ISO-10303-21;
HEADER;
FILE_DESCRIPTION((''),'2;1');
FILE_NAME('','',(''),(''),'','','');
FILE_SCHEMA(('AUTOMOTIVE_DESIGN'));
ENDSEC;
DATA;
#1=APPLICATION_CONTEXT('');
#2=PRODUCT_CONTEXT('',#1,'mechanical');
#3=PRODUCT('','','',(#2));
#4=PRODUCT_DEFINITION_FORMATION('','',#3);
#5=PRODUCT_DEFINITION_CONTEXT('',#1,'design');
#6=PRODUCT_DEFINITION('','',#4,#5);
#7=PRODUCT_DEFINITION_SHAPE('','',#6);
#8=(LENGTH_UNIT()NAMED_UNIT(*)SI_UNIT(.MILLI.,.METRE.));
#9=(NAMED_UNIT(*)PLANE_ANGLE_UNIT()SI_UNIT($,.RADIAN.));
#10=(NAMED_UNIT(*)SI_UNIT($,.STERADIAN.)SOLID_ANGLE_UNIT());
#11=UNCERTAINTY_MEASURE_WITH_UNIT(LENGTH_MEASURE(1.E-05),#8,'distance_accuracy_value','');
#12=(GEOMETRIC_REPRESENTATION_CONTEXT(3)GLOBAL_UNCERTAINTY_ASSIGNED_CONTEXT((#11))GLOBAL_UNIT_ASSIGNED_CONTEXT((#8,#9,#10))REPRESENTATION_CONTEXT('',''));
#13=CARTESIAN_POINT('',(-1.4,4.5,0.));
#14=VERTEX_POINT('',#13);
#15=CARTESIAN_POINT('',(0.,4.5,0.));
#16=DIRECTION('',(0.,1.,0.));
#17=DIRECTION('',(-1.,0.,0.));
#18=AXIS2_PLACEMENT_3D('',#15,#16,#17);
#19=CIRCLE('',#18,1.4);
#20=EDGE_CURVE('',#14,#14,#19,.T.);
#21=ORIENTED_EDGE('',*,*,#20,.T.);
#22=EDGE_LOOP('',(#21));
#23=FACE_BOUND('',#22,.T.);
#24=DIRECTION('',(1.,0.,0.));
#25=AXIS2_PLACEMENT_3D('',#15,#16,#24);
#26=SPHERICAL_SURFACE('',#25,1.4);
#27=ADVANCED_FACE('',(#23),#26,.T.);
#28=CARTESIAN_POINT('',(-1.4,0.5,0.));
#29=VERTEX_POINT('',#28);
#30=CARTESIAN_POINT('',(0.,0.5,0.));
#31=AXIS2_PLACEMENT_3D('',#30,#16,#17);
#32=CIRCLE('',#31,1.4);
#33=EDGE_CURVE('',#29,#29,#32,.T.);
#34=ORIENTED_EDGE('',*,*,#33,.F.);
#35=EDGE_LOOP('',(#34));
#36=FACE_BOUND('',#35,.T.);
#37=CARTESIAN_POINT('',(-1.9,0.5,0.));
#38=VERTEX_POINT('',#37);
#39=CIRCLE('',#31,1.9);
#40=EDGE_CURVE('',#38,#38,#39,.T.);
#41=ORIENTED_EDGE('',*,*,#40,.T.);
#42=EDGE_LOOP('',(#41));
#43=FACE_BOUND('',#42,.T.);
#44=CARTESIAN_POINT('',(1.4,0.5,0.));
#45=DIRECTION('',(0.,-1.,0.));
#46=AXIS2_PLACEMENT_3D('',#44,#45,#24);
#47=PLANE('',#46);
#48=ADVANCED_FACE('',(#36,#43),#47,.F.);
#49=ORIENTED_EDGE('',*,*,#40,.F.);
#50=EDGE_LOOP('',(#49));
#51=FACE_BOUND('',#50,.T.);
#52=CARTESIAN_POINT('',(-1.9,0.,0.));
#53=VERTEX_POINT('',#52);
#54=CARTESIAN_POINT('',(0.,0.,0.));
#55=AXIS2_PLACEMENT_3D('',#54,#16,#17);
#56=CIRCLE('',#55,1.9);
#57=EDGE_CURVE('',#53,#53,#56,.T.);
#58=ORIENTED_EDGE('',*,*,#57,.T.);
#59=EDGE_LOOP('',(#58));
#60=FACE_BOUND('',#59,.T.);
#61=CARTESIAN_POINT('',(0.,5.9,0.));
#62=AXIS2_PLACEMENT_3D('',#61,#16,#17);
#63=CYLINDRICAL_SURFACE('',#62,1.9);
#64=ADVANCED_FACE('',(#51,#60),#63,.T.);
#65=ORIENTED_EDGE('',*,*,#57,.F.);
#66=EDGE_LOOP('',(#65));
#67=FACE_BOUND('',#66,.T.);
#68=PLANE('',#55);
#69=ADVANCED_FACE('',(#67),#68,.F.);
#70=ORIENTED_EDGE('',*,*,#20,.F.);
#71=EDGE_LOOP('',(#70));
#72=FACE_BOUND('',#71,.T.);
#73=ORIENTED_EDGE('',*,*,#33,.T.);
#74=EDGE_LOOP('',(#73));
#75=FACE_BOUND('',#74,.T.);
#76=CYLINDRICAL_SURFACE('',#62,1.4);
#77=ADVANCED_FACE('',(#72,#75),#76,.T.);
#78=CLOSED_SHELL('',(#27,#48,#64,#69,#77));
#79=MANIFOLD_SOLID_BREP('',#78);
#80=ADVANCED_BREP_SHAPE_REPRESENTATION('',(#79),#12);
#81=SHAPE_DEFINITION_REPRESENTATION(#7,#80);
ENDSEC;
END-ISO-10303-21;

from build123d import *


with BuildPart() as part:
    # Sketch1 → Revolve2 (revolve)
    with BuildSketch(Plane.XY, mode=Mode.PRIVATE) as revolve2_sk:
        with BuildLine():
            Line((1.4, 0.5), (1.4, 4.5))
            ThreePointArc((1.4, 4.5), (0.989949494, 5.489949494), (0, 5.9))
            Line((0, 5.9), (0, 0))
            Line((0, 0), (1.4, 0))
            Line((1.4, 0), (1.9, 0))
            Line((1.9, 0), (1.9, 0.5))
            Line((1.9, 0.5), (1.4, 0.5))
        make_face()
    revolve(revolve2_sk.sketch.rotate(Axis((0, 5.9, 0), (0, -1, 0)), 180), axis=Axis((0, 5.9, 0), (0, -1, 0)))


solid = part.part
